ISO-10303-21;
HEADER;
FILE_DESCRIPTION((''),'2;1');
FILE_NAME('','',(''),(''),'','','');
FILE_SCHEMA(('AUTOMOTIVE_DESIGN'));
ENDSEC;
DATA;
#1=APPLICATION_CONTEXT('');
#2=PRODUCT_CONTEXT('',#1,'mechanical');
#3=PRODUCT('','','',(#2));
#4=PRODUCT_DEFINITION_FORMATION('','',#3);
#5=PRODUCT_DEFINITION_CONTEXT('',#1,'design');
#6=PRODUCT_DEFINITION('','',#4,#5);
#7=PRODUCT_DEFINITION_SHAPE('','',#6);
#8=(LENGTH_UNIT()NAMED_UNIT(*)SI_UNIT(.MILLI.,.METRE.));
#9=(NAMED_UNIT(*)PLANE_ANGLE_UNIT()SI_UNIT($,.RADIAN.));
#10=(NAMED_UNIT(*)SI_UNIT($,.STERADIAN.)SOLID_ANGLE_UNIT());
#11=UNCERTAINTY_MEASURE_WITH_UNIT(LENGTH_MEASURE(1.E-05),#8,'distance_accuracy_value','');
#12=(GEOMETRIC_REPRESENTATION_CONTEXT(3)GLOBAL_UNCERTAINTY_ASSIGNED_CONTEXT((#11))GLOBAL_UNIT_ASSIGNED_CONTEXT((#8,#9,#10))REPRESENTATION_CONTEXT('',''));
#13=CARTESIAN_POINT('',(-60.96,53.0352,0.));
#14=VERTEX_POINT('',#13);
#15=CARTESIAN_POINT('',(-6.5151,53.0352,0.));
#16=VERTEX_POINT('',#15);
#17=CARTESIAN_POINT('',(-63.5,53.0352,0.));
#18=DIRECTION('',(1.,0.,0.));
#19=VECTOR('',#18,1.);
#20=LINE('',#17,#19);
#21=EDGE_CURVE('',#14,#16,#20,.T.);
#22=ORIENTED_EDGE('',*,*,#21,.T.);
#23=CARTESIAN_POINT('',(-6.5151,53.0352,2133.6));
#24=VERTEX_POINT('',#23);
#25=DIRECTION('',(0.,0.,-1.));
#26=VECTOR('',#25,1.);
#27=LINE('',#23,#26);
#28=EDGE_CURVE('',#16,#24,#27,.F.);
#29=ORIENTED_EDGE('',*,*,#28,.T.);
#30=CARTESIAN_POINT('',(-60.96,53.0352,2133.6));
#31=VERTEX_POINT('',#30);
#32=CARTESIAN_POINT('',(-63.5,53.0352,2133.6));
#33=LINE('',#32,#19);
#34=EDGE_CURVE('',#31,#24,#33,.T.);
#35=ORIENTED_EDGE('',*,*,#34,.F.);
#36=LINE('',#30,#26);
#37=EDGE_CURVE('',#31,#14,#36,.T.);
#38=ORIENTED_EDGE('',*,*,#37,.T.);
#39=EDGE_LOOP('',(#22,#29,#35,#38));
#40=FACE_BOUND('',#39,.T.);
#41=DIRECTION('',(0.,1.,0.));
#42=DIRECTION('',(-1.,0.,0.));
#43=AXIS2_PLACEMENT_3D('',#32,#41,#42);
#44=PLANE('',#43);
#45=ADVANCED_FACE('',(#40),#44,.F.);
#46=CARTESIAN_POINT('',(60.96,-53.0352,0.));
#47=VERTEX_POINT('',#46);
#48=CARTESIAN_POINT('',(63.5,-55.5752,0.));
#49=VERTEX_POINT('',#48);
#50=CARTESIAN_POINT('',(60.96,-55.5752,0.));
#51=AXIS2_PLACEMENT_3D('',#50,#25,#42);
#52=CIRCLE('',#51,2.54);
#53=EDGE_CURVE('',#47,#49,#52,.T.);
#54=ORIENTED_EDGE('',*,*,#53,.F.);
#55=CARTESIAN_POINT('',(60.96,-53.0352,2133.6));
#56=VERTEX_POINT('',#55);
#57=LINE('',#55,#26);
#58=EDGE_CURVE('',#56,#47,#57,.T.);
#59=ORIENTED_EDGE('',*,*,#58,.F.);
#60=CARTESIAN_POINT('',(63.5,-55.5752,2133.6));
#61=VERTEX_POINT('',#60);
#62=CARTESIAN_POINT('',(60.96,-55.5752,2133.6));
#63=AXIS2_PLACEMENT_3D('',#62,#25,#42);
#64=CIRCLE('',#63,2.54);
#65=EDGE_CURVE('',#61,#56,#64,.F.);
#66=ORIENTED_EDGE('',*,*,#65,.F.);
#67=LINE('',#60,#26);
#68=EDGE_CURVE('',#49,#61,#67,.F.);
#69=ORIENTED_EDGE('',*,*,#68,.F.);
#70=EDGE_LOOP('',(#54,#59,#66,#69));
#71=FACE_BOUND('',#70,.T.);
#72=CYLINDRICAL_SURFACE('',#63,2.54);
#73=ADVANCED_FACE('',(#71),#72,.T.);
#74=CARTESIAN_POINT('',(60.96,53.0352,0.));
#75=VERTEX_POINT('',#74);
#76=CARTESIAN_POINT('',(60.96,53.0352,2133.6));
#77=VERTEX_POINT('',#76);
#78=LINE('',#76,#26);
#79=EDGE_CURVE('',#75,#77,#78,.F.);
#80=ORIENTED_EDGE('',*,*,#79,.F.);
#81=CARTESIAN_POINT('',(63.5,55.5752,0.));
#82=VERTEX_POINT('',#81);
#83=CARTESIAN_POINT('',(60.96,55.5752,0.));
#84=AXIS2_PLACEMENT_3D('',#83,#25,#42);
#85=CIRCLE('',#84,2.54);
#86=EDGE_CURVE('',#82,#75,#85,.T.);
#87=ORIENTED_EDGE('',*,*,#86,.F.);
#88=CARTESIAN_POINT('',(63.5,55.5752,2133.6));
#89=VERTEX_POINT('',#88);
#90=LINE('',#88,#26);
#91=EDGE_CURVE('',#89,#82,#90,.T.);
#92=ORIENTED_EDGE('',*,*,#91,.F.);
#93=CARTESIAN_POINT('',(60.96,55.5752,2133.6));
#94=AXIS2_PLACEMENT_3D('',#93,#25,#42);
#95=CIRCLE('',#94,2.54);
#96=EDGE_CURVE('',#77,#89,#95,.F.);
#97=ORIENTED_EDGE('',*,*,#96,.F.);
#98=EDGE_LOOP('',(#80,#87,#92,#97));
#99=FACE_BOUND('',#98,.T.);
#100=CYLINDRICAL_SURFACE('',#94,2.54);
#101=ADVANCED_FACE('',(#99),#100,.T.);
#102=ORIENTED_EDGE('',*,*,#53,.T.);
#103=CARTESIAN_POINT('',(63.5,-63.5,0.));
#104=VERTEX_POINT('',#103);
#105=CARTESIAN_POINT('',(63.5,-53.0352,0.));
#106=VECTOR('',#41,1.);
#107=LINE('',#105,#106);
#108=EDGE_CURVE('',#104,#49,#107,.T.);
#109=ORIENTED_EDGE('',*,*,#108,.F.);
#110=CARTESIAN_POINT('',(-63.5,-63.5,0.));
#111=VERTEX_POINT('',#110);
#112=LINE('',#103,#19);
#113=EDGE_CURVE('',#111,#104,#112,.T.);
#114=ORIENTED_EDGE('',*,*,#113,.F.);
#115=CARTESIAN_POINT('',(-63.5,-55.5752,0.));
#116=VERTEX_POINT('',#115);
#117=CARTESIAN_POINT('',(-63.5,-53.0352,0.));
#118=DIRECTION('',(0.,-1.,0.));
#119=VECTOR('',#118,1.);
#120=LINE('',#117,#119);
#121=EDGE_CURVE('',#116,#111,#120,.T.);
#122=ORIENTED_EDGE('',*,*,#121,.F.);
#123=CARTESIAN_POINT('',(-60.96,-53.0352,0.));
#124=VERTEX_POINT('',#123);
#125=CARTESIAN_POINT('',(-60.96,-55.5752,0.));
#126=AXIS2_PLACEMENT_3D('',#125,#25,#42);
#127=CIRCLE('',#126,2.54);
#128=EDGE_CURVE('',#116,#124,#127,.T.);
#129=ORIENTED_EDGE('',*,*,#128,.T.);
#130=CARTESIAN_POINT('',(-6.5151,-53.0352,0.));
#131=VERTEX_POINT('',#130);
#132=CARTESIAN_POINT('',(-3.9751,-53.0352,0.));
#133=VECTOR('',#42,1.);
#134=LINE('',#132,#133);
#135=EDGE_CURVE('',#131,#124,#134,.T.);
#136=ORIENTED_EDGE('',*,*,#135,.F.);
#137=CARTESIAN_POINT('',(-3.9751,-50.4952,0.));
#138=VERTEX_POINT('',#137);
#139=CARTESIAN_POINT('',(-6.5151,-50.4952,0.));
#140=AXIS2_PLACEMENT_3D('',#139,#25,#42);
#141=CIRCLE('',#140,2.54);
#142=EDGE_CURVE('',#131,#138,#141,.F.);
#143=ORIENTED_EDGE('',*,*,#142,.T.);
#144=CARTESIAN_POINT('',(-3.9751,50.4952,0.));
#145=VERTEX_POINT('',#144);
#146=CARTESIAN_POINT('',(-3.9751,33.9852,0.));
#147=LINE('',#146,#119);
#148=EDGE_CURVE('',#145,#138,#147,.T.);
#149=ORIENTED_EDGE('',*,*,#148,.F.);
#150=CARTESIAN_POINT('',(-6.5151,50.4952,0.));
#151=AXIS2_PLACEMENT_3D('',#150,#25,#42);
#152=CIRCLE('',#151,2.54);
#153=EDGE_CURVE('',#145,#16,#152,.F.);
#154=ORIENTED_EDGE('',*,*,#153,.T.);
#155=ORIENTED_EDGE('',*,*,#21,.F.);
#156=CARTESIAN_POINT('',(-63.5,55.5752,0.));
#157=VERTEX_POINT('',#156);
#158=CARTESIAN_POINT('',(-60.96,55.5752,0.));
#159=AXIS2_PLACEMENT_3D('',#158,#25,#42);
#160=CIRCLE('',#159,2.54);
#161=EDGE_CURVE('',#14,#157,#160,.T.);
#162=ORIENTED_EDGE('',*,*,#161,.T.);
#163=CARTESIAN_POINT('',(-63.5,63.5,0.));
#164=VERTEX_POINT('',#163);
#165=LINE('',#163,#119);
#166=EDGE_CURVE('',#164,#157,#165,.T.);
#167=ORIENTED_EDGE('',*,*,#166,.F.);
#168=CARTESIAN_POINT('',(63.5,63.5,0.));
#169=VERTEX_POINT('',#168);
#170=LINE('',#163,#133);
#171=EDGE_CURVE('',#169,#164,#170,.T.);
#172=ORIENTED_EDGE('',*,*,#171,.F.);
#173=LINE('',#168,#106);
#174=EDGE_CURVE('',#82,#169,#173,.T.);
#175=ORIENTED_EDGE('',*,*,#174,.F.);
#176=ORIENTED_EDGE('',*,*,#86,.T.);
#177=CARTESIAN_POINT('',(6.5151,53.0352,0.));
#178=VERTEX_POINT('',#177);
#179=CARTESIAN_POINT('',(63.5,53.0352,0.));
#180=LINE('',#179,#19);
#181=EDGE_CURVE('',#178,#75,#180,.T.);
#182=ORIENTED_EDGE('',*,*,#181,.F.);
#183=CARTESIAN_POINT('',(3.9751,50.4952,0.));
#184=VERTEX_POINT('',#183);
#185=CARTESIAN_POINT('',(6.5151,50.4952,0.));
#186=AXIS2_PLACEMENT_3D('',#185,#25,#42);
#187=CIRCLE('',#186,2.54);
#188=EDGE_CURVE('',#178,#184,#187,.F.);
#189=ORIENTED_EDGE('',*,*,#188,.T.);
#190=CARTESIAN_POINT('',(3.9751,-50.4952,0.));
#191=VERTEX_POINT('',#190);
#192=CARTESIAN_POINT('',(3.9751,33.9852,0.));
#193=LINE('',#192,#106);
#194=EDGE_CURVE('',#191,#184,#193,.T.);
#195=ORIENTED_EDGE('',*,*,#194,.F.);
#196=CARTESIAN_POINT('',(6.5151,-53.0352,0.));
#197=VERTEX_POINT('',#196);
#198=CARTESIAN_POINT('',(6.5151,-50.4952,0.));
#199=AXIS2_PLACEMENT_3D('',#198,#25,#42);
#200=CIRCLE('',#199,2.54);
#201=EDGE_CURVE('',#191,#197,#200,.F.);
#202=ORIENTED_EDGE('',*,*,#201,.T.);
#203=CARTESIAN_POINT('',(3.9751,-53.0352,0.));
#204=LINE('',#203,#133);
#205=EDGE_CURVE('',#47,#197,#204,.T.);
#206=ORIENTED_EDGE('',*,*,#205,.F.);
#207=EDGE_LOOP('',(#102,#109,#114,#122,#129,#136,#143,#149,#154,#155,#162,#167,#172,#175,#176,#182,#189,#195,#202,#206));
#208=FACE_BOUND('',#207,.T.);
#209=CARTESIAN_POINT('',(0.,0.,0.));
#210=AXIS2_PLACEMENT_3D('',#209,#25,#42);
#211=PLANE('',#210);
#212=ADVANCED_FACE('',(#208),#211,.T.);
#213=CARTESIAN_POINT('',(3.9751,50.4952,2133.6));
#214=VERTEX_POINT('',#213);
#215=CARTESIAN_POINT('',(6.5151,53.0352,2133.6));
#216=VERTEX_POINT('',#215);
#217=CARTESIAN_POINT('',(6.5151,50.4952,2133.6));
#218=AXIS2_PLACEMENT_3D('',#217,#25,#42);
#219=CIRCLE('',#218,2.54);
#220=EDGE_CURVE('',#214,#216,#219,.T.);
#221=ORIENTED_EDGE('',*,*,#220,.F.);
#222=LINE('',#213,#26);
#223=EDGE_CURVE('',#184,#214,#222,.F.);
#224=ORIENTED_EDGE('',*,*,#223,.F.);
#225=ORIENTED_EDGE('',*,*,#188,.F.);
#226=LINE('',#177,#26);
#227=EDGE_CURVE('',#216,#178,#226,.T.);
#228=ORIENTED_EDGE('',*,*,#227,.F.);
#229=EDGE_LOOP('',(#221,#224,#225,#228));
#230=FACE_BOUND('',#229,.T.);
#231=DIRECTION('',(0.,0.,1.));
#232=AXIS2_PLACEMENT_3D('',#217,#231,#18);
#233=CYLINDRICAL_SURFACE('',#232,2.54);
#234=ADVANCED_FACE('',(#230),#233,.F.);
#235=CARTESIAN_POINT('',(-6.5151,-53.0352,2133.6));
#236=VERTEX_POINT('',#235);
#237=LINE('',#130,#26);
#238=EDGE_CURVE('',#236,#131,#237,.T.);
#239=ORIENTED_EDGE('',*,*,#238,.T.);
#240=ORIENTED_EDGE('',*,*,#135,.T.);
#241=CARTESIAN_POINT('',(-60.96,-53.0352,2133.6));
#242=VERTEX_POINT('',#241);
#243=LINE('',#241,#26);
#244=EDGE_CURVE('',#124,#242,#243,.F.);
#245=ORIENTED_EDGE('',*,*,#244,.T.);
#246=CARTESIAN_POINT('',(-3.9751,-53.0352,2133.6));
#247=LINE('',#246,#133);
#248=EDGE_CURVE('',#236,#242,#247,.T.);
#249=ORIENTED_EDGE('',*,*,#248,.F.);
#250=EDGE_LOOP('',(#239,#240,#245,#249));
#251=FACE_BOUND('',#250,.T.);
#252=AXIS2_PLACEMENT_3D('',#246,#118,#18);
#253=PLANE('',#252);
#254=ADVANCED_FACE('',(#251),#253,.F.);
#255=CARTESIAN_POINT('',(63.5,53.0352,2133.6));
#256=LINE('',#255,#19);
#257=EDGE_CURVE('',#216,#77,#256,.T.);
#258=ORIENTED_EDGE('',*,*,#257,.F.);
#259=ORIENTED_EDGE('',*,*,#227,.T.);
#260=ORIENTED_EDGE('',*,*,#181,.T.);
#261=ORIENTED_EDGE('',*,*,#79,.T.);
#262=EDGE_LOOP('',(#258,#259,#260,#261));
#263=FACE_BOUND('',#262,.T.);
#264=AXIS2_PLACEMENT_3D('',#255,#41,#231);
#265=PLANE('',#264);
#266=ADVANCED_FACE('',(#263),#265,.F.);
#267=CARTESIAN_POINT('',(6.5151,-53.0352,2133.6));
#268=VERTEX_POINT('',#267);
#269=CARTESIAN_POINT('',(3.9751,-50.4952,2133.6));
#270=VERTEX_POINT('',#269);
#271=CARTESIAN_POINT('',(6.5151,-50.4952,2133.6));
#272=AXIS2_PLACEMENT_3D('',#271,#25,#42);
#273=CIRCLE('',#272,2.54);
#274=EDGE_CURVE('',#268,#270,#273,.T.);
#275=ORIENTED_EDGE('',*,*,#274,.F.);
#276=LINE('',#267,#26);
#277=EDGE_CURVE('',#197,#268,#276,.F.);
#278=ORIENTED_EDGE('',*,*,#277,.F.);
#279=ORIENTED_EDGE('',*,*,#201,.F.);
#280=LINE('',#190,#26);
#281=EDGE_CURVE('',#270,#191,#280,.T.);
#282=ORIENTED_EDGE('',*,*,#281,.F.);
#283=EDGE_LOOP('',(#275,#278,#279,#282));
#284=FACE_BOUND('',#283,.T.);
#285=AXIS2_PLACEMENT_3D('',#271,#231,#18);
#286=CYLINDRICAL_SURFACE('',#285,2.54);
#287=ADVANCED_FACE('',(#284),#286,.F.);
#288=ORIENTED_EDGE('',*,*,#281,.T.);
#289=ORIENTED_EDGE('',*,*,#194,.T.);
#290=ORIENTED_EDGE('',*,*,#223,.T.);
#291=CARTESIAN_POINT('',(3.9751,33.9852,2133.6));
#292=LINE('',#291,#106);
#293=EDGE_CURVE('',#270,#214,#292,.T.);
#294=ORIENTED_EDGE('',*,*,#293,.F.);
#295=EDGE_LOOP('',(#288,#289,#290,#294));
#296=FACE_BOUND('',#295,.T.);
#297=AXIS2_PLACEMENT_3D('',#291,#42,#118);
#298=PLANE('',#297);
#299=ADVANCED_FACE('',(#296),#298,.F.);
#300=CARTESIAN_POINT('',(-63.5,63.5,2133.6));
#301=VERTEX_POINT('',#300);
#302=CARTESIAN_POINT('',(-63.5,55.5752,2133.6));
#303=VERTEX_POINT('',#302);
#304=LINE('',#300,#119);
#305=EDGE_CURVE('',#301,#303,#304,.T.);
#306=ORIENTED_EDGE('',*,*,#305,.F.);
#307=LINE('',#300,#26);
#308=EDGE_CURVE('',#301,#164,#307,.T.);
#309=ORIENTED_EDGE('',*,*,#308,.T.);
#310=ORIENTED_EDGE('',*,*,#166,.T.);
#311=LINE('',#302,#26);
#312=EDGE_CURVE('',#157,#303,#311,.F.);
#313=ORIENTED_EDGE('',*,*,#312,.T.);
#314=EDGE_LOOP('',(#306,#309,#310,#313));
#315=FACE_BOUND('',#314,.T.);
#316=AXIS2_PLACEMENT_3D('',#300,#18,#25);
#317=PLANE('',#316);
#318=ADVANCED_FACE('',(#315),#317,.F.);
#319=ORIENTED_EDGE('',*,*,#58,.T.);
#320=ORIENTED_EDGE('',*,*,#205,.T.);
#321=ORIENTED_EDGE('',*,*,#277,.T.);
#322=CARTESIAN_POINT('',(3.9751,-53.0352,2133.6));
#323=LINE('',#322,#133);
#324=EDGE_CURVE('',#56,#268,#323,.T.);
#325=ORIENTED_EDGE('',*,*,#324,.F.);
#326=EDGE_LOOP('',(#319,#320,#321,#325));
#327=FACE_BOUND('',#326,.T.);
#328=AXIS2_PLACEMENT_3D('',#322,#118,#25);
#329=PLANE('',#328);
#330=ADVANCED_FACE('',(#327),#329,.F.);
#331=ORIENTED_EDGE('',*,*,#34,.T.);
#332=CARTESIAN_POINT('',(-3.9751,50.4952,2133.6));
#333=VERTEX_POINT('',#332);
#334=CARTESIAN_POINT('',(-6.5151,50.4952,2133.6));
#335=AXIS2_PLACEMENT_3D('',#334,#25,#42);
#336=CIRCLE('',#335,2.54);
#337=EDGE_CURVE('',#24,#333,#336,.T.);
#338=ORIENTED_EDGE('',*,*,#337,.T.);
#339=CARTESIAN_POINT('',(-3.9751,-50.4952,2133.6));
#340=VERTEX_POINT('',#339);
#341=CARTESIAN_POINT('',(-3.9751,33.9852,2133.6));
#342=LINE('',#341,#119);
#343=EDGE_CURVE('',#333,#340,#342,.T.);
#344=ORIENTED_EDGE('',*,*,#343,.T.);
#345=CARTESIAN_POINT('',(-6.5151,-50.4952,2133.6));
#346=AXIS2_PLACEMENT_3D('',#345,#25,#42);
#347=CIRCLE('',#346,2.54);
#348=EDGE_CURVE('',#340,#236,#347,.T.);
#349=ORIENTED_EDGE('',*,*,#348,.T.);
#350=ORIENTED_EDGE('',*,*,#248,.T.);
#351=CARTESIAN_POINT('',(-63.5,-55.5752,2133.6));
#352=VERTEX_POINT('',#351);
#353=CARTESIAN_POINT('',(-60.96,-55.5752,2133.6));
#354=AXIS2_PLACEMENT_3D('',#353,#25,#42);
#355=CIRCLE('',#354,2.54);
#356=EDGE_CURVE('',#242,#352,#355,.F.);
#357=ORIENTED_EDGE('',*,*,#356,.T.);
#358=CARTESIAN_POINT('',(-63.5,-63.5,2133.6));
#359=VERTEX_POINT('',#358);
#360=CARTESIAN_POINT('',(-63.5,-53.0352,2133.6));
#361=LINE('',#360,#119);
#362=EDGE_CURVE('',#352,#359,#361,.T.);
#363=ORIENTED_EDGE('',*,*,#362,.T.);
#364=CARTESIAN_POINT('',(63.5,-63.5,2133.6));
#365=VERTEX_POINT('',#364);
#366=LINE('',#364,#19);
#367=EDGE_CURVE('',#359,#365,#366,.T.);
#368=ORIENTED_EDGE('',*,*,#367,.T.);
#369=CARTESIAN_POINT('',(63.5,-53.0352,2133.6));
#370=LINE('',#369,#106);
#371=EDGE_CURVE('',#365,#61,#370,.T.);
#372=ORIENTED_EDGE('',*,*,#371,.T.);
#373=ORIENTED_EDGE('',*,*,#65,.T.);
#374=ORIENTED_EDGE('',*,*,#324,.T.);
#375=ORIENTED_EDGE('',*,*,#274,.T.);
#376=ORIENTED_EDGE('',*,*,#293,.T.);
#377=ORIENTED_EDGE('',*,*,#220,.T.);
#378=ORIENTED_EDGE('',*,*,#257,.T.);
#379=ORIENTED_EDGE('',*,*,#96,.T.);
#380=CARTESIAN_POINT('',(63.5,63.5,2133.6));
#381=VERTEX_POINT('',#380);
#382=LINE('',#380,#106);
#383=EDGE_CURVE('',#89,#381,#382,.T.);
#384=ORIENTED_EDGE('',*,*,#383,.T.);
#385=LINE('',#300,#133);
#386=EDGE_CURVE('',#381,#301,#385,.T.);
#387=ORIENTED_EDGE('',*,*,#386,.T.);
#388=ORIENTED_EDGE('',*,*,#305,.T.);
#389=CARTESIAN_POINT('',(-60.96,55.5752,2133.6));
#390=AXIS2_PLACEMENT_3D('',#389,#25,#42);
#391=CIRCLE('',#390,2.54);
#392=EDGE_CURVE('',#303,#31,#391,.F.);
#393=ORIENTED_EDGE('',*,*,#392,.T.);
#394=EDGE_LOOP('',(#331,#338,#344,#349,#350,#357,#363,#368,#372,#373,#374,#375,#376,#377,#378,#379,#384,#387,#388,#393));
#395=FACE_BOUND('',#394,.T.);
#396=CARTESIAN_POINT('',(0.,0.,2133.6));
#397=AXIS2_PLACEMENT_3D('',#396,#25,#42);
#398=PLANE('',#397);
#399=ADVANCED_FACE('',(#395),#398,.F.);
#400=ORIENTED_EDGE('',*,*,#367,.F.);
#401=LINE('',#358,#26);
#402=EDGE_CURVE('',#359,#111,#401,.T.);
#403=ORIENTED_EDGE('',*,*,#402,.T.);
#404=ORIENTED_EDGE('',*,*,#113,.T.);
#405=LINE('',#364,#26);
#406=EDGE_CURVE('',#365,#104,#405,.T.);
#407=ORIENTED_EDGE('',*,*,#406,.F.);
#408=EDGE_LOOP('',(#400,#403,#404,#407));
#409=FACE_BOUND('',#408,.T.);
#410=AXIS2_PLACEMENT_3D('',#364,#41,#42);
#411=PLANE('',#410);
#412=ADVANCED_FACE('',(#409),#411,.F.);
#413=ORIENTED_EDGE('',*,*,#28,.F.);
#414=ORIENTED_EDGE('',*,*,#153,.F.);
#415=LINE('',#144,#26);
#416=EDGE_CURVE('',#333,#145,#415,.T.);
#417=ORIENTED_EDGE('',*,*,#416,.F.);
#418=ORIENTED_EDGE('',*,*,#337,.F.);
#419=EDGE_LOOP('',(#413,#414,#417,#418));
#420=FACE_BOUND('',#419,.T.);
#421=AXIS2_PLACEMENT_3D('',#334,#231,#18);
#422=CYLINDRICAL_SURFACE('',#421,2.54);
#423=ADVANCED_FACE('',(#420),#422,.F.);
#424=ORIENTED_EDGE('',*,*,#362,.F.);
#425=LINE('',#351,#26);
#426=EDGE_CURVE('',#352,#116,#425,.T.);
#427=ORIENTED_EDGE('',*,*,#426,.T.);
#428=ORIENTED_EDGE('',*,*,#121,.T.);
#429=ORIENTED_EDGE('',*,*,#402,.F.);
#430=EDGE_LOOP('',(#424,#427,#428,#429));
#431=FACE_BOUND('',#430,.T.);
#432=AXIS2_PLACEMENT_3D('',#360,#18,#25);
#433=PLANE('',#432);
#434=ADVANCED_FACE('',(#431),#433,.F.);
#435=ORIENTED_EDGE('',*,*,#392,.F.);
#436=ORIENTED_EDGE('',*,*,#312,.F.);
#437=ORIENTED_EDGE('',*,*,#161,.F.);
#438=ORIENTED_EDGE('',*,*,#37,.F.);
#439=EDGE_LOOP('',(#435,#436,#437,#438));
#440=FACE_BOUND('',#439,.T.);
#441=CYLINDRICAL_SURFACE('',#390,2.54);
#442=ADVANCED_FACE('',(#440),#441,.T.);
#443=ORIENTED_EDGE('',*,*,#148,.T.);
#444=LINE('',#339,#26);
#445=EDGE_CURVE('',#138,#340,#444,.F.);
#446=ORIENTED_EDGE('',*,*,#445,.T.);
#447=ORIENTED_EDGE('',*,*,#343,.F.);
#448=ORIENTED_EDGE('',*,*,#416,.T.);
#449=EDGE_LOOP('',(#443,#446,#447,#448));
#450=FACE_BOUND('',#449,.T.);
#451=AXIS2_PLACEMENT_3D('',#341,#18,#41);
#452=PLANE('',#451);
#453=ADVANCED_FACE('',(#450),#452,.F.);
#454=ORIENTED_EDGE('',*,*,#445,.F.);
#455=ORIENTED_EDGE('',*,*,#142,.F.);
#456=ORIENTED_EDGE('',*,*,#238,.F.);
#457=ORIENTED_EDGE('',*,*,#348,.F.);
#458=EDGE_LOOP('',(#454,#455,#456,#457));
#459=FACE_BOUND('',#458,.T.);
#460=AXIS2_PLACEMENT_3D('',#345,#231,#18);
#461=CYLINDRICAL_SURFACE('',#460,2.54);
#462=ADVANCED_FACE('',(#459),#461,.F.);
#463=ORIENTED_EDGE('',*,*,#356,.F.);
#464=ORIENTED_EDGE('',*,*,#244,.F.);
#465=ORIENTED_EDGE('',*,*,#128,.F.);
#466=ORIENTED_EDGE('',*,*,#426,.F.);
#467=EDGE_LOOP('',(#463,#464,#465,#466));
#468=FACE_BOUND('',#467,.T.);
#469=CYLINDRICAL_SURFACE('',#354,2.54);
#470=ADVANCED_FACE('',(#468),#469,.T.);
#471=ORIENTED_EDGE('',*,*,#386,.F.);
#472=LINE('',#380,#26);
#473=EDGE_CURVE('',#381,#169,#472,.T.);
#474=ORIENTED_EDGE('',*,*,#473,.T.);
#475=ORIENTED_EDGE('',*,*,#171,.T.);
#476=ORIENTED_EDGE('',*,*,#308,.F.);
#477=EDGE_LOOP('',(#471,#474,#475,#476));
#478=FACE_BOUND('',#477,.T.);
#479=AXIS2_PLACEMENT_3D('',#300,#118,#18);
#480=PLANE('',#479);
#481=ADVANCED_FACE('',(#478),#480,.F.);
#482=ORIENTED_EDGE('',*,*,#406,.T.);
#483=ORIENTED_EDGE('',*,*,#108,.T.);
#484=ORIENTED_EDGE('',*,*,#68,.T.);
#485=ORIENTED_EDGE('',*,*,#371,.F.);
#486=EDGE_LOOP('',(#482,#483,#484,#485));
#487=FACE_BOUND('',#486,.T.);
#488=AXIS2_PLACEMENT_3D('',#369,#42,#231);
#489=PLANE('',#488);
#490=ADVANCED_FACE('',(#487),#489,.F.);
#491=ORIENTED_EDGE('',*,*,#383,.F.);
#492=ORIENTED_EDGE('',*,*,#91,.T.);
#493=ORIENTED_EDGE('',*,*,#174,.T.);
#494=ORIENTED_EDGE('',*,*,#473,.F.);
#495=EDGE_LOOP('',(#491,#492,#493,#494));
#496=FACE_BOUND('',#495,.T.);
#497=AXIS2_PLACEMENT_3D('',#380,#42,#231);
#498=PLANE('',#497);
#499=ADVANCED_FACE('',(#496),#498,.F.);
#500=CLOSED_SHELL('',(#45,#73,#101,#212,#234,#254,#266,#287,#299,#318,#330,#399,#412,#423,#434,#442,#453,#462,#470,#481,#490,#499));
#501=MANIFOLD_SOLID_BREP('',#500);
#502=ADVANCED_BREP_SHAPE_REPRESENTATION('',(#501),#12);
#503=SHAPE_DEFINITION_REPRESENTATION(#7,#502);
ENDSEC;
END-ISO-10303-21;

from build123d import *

# Parameters (mm, degrees)
BOSS_EXTRUDE1_DEPTH = 2133.6
SKETCH2_W           = 19.05
SKETCH2_H           = 19.05
CUT_EXTRUDE1_DEPTH  = 2136.489044692
FILLET1_R           = 2.54


with BuildPart() as part:
    # Sketch1 → Boss-Extrude1 (new body)
    with BuildSketch(Plane.XY):
        Polygon((-63.5, 63.5), (63.5, 63.5), (63.5, 53.0352), (23.0251, 53.0352), (23.0251, 33.9852), (3.9751, 33.9852), (3.9751, -53.0352), (63.5, -53.0352), (63.5, -63.5), (-63.5, -63.5), (-63.5, -53.0352), (-3.9751, -53.0352), (-3.9751, 33.9852), (-23.0251, 33.9852), (-23.0251, 53.0352), (-63.5, 53.0352), align=None)
    extrude(amount=BOSS_EXTRUDE1_DEPTH)

    # Sketch2 → Cut-Extrude1 (cut, through all)
    with BuildSketch(Plane.XY):
        with Locations((-13.5001, 43.5102)):
            Rectangle(SKETCH2_W, SKETCH2_H)
        with Locations((13.5001, 43.5102)):
            Rectangle(SKETCH2_W, SKETCH2_H)
    extrude(amount=CUT_EXTRUDE1_DEPTH, mode=Mode.SUBTRACT)

    # Fillet1
    fillet1_edges = [part.edges().sort_by_distance(p)[0] for p in [
        (-63.5, -53.0352, 1066.8),
        (-3.9751, -53.0352, 1066.8),
        (-63.5, 53.0352, 1066.8),
        (63.5, 53.0352, 1066.8),
        (3.9751, -53.0352, 1066.8),
        (63.5, -53.0352, 1066.8),
        (-3.9751, 53.0352, 1066.8),
        (3.9751, 53.0352, 1066.8),
    ]]
    fillet(fillet1_edges, radius=FILLET1_R)


solid = part.part
